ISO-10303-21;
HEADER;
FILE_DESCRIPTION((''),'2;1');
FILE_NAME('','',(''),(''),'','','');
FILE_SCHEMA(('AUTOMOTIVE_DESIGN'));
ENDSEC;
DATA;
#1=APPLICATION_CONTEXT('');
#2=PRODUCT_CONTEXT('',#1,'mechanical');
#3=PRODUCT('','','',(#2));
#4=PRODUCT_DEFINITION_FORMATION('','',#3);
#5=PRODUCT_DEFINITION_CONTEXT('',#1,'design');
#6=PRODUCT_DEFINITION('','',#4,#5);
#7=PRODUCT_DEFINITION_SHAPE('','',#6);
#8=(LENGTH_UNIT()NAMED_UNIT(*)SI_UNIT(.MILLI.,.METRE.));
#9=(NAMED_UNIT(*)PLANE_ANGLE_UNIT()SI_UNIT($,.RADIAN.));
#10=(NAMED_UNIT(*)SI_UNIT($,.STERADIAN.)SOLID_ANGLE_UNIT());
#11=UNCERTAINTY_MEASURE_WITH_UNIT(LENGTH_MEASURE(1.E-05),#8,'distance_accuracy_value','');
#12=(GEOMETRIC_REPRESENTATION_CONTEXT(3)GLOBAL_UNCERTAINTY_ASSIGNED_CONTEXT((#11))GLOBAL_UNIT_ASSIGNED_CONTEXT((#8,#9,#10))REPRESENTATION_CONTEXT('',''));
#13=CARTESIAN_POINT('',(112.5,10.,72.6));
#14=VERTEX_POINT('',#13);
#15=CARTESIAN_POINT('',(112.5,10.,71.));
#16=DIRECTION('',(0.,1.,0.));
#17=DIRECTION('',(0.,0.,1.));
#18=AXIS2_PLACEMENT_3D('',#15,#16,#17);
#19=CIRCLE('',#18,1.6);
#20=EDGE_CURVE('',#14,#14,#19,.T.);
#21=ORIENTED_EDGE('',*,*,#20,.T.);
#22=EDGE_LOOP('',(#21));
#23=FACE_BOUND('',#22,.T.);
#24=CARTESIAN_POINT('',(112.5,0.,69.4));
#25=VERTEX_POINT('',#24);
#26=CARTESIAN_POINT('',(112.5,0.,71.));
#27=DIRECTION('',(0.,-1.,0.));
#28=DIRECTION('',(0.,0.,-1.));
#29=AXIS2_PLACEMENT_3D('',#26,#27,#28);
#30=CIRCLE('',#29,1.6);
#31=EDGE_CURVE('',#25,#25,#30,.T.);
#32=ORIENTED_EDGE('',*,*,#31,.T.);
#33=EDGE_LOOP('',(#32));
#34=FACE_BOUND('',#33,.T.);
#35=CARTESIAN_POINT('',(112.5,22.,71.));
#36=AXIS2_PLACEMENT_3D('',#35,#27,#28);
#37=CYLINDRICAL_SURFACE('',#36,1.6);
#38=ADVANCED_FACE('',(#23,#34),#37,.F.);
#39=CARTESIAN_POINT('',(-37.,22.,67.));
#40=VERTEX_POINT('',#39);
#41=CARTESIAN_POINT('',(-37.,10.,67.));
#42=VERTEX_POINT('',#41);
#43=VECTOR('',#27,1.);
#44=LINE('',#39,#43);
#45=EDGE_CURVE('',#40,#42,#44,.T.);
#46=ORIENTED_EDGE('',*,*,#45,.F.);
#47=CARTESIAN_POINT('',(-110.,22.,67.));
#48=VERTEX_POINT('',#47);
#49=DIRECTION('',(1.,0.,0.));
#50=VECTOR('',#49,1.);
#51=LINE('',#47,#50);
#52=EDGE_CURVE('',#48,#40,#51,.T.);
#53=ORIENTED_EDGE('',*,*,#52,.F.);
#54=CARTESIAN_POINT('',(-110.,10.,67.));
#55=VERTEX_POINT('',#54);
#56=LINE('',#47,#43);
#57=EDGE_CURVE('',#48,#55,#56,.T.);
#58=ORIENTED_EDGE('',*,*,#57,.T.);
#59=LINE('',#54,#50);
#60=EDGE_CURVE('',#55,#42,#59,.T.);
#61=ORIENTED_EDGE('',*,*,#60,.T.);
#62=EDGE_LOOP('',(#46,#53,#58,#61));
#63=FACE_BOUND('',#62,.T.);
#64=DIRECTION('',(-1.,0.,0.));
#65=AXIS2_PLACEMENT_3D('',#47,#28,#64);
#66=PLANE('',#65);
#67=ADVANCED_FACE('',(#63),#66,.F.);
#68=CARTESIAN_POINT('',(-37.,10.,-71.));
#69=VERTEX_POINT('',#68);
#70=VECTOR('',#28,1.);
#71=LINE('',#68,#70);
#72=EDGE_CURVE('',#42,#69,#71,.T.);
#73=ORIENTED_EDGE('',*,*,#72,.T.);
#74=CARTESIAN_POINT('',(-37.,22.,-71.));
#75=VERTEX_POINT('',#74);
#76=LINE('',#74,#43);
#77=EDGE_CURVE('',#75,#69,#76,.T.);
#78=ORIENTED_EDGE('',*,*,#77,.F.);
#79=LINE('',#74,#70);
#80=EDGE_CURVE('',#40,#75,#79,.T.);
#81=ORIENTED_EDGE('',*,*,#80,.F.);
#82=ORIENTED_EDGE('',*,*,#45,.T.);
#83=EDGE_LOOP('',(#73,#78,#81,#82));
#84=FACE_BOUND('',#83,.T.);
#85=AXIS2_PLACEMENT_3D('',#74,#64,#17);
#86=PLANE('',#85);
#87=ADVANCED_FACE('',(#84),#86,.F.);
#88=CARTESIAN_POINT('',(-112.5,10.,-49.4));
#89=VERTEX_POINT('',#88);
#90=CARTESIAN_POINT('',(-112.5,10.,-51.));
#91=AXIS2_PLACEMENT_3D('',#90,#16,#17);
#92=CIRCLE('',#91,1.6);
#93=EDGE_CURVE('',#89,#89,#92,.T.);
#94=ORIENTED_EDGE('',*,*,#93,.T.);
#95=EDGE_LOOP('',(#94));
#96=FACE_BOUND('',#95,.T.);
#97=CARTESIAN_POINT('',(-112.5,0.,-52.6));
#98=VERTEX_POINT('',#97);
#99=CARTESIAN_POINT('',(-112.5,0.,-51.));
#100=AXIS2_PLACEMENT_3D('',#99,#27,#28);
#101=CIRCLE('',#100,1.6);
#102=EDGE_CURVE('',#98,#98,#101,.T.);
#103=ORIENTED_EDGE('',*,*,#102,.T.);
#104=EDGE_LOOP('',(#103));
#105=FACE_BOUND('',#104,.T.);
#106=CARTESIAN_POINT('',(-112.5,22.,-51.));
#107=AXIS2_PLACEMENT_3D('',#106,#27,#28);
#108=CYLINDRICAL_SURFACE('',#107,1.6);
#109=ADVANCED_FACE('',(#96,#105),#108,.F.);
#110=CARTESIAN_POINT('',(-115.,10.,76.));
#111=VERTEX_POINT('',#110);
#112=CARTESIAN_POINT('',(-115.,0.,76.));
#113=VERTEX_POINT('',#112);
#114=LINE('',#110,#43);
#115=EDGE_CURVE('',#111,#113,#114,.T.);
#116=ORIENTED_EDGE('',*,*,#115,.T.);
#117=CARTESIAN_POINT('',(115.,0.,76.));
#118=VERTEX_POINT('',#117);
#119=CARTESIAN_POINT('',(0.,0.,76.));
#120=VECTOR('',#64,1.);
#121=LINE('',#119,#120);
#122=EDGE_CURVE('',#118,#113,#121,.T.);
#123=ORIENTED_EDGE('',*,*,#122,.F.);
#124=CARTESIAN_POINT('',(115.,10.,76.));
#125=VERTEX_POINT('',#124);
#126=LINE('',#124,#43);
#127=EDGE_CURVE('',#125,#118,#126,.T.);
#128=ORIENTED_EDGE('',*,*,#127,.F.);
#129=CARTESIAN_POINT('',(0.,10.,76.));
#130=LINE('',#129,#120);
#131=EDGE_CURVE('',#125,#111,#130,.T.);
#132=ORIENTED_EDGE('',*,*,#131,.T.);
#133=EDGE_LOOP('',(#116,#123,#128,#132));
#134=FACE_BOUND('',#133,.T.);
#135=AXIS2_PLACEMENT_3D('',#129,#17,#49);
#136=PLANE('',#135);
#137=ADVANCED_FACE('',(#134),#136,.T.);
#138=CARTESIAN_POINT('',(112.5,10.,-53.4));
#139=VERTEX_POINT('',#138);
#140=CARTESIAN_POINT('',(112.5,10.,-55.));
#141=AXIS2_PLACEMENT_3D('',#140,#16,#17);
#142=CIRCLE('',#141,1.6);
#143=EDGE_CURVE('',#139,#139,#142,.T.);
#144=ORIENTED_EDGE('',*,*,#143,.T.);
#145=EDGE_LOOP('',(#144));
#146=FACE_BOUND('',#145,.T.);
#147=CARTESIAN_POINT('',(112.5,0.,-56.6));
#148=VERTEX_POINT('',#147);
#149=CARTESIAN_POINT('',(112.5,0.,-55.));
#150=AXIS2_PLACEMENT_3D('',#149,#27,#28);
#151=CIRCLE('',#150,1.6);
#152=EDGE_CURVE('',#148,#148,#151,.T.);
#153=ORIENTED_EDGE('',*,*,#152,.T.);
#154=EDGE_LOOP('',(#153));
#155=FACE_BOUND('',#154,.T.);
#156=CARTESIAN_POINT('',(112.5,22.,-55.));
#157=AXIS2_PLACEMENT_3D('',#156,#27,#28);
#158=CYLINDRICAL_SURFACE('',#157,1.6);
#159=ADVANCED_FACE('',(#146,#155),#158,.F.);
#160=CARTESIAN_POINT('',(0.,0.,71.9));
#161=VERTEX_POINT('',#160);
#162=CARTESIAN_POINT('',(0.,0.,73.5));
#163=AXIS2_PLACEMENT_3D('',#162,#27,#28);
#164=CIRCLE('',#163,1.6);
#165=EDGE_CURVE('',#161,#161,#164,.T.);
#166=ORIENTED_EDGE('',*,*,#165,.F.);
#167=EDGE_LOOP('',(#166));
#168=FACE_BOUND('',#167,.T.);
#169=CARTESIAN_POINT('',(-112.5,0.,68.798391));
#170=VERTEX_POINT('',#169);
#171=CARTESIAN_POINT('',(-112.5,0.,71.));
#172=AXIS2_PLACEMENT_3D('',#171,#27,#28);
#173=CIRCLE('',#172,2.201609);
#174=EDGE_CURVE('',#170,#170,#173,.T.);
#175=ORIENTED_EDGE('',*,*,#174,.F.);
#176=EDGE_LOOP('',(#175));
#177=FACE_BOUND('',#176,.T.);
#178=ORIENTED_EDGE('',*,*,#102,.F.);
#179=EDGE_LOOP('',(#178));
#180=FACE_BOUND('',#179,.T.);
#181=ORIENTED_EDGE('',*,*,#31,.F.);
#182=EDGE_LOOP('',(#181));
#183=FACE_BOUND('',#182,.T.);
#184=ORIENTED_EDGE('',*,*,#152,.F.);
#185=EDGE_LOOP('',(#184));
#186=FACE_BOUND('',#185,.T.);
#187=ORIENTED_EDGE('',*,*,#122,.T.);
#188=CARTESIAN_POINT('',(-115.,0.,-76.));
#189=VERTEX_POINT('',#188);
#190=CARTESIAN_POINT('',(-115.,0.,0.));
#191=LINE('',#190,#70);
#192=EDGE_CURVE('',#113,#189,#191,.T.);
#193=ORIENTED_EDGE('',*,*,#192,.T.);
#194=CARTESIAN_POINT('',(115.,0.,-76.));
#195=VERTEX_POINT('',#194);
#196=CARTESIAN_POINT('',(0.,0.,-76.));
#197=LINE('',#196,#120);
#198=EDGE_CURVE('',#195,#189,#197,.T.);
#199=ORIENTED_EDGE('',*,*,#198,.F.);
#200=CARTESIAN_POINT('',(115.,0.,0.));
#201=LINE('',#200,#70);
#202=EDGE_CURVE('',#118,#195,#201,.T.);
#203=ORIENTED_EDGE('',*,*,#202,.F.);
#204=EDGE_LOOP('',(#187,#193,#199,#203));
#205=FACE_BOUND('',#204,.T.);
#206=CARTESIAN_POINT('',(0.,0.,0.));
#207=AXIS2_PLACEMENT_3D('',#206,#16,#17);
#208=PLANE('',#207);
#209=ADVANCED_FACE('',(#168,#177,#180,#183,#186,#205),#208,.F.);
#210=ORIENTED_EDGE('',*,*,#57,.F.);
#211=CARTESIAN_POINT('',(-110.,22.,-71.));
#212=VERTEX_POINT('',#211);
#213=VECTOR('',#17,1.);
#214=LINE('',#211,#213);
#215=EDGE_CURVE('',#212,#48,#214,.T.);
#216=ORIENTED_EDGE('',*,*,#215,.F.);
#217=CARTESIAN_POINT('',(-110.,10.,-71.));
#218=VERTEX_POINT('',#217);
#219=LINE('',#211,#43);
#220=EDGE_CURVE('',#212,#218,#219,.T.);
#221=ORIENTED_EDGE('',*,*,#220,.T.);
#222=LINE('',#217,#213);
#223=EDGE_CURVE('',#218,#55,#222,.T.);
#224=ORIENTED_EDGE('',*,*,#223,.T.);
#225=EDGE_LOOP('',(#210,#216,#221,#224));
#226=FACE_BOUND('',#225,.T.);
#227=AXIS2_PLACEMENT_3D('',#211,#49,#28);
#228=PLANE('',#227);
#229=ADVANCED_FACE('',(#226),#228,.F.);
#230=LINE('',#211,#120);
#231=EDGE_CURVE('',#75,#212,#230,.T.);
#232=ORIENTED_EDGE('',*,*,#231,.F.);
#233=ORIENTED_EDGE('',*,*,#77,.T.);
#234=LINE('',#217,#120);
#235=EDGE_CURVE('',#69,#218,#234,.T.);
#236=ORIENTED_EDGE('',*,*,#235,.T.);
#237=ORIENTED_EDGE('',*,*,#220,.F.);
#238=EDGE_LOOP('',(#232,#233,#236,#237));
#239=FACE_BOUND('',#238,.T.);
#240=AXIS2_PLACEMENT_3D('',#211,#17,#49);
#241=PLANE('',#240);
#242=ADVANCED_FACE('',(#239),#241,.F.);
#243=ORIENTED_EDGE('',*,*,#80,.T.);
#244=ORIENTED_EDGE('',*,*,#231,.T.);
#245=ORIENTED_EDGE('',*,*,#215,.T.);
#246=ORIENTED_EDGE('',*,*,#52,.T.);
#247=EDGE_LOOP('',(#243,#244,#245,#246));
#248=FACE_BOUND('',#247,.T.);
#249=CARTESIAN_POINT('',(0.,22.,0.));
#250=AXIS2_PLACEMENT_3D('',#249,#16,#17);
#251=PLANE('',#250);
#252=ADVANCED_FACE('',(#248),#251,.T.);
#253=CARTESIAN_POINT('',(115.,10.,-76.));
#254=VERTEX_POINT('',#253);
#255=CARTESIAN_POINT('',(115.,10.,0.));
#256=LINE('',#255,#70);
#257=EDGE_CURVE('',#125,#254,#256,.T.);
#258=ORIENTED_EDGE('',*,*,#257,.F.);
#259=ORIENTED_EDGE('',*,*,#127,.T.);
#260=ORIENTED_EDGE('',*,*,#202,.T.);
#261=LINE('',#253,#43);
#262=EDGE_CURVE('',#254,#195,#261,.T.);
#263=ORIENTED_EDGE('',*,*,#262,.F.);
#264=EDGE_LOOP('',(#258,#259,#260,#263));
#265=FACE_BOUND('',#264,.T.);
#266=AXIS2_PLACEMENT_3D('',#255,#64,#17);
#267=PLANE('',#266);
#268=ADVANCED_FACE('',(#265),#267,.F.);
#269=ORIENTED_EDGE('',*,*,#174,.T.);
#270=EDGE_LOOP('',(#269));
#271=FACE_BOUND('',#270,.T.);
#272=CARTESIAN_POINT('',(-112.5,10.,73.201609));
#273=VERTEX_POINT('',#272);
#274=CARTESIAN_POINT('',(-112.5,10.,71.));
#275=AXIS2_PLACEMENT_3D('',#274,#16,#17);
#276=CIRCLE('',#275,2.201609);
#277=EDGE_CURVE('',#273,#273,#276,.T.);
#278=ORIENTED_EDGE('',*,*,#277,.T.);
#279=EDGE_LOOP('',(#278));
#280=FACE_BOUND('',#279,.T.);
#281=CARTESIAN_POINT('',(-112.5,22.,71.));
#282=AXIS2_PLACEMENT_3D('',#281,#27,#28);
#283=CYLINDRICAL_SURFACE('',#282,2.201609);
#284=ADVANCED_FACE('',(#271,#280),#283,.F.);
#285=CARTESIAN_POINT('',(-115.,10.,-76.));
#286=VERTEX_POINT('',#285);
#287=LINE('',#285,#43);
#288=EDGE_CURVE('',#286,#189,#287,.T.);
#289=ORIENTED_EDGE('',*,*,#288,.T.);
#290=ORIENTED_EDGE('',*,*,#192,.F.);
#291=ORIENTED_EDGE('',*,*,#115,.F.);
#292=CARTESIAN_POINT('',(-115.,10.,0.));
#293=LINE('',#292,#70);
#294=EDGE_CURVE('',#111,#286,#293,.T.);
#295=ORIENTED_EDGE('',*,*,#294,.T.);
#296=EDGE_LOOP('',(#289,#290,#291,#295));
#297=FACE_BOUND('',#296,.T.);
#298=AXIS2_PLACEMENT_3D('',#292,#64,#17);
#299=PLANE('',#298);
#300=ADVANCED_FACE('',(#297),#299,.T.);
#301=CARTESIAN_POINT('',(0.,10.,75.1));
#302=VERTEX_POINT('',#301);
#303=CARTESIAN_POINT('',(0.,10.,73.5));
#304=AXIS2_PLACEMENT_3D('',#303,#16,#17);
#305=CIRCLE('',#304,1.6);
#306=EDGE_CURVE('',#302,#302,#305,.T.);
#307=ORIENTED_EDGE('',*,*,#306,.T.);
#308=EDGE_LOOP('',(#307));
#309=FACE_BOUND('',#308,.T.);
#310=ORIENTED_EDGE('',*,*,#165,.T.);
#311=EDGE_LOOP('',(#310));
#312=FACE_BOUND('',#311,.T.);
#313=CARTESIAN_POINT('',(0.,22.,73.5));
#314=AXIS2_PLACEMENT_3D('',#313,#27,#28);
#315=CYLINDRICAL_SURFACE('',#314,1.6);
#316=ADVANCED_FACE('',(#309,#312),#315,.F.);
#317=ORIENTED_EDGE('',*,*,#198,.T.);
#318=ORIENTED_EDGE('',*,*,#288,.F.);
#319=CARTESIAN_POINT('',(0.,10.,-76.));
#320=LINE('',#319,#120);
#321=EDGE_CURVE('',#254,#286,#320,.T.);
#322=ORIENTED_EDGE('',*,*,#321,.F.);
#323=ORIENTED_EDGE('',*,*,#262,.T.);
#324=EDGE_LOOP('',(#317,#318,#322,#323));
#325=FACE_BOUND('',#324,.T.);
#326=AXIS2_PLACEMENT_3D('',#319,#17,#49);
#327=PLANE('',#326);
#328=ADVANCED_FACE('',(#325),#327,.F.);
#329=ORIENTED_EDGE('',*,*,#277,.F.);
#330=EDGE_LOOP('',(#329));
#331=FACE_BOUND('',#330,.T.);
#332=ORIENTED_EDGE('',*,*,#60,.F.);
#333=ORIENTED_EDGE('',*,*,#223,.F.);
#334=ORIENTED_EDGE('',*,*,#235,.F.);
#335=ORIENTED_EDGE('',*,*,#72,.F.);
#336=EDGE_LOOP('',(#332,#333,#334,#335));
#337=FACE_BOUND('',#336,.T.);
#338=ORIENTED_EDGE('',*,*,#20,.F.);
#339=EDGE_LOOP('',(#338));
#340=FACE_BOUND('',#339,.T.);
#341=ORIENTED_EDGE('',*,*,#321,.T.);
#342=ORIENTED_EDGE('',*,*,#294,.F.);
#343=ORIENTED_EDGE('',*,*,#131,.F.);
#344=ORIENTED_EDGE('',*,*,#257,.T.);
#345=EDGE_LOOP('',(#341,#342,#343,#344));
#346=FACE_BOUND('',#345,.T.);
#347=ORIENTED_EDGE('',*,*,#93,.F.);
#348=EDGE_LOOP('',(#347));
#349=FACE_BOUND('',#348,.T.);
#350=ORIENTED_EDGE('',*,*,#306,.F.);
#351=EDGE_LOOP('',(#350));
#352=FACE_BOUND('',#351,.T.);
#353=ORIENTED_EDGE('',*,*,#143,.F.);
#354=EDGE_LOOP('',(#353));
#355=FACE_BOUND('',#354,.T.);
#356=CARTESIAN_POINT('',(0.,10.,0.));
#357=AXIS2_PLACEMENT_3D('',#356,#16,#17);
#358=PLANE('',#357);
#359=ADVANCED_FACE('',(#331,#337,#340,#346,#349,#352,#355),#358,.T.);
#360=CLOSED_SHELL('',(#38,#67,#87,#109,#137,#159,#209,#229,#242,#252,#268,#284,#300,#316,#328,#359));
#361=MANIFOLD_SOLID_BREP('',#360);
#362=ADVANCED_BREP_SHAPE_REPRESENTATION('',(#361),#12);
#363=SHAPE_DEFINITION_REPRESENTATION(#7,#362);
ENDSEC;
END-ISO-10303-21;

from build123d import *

# Parameters (mm, degrees)
SKETCH_2_W          = 230
SKETCH_2_H          = 152
EXTRUDE_2_DEPTH     = 10
SKETCH_3_W          = 73
SKETCH_3_H          = 138
EXTRUDE_3_DEPTH     = 12
SKETCH_4_R          = 1.6
SKETCH_4_R_2        = 2.201608842
CUT_EXTRUDE_1_DEPTH = 140.58868149


with BuildPart() as part:
    # 草图2 → 凸台-拉伸2 (new body)
    with BuildSketch(Plane(origin=(0, 0, 0), x_dir=(1, 0, 0), z_dir=(0, 1, 0))):
        Rectangle(SKETCH_2_W, SKETCH_2_H)
    extrude(amount=EXTRUDE_2_DEPTH)

    # 草图3 → 凸台-拉伸3 (add)
    with BuildSketch(Plane(origin=(0, 10, 0), x_dir=(1, 0, 0), z_dir=(0, 1, 0))):
        with Locations((-73.5, 2)):
            Rectangle(SKETCH_3_W, SKETCH_3_H)
    extrude(amount=EXTRUDE_3_DEPTH)

    # 草图4 → 切除-拉伸1 (cut, through all)
    with BuildSketch(Plane.XZ):
        with Locations((0, 73.5)):
            Circle(SKETCH_4_R)
        with Locations((112.5, -55)):
            Circle(SKETCH_4_R)
        with Locations((112.5, 71)):
            Circle(SKETCH_4_R)
        with Locations((-112.5, -51)):
            Circle(SKETCH_4_R)
        with Locations((-112.5, 71)):
            Circle(SKETCH_4_R_2)
    extrude(amount=-CUT_EXTRUDE_1_DEPTH, mode=Mode.SUBTRACT)


solid = part.part
